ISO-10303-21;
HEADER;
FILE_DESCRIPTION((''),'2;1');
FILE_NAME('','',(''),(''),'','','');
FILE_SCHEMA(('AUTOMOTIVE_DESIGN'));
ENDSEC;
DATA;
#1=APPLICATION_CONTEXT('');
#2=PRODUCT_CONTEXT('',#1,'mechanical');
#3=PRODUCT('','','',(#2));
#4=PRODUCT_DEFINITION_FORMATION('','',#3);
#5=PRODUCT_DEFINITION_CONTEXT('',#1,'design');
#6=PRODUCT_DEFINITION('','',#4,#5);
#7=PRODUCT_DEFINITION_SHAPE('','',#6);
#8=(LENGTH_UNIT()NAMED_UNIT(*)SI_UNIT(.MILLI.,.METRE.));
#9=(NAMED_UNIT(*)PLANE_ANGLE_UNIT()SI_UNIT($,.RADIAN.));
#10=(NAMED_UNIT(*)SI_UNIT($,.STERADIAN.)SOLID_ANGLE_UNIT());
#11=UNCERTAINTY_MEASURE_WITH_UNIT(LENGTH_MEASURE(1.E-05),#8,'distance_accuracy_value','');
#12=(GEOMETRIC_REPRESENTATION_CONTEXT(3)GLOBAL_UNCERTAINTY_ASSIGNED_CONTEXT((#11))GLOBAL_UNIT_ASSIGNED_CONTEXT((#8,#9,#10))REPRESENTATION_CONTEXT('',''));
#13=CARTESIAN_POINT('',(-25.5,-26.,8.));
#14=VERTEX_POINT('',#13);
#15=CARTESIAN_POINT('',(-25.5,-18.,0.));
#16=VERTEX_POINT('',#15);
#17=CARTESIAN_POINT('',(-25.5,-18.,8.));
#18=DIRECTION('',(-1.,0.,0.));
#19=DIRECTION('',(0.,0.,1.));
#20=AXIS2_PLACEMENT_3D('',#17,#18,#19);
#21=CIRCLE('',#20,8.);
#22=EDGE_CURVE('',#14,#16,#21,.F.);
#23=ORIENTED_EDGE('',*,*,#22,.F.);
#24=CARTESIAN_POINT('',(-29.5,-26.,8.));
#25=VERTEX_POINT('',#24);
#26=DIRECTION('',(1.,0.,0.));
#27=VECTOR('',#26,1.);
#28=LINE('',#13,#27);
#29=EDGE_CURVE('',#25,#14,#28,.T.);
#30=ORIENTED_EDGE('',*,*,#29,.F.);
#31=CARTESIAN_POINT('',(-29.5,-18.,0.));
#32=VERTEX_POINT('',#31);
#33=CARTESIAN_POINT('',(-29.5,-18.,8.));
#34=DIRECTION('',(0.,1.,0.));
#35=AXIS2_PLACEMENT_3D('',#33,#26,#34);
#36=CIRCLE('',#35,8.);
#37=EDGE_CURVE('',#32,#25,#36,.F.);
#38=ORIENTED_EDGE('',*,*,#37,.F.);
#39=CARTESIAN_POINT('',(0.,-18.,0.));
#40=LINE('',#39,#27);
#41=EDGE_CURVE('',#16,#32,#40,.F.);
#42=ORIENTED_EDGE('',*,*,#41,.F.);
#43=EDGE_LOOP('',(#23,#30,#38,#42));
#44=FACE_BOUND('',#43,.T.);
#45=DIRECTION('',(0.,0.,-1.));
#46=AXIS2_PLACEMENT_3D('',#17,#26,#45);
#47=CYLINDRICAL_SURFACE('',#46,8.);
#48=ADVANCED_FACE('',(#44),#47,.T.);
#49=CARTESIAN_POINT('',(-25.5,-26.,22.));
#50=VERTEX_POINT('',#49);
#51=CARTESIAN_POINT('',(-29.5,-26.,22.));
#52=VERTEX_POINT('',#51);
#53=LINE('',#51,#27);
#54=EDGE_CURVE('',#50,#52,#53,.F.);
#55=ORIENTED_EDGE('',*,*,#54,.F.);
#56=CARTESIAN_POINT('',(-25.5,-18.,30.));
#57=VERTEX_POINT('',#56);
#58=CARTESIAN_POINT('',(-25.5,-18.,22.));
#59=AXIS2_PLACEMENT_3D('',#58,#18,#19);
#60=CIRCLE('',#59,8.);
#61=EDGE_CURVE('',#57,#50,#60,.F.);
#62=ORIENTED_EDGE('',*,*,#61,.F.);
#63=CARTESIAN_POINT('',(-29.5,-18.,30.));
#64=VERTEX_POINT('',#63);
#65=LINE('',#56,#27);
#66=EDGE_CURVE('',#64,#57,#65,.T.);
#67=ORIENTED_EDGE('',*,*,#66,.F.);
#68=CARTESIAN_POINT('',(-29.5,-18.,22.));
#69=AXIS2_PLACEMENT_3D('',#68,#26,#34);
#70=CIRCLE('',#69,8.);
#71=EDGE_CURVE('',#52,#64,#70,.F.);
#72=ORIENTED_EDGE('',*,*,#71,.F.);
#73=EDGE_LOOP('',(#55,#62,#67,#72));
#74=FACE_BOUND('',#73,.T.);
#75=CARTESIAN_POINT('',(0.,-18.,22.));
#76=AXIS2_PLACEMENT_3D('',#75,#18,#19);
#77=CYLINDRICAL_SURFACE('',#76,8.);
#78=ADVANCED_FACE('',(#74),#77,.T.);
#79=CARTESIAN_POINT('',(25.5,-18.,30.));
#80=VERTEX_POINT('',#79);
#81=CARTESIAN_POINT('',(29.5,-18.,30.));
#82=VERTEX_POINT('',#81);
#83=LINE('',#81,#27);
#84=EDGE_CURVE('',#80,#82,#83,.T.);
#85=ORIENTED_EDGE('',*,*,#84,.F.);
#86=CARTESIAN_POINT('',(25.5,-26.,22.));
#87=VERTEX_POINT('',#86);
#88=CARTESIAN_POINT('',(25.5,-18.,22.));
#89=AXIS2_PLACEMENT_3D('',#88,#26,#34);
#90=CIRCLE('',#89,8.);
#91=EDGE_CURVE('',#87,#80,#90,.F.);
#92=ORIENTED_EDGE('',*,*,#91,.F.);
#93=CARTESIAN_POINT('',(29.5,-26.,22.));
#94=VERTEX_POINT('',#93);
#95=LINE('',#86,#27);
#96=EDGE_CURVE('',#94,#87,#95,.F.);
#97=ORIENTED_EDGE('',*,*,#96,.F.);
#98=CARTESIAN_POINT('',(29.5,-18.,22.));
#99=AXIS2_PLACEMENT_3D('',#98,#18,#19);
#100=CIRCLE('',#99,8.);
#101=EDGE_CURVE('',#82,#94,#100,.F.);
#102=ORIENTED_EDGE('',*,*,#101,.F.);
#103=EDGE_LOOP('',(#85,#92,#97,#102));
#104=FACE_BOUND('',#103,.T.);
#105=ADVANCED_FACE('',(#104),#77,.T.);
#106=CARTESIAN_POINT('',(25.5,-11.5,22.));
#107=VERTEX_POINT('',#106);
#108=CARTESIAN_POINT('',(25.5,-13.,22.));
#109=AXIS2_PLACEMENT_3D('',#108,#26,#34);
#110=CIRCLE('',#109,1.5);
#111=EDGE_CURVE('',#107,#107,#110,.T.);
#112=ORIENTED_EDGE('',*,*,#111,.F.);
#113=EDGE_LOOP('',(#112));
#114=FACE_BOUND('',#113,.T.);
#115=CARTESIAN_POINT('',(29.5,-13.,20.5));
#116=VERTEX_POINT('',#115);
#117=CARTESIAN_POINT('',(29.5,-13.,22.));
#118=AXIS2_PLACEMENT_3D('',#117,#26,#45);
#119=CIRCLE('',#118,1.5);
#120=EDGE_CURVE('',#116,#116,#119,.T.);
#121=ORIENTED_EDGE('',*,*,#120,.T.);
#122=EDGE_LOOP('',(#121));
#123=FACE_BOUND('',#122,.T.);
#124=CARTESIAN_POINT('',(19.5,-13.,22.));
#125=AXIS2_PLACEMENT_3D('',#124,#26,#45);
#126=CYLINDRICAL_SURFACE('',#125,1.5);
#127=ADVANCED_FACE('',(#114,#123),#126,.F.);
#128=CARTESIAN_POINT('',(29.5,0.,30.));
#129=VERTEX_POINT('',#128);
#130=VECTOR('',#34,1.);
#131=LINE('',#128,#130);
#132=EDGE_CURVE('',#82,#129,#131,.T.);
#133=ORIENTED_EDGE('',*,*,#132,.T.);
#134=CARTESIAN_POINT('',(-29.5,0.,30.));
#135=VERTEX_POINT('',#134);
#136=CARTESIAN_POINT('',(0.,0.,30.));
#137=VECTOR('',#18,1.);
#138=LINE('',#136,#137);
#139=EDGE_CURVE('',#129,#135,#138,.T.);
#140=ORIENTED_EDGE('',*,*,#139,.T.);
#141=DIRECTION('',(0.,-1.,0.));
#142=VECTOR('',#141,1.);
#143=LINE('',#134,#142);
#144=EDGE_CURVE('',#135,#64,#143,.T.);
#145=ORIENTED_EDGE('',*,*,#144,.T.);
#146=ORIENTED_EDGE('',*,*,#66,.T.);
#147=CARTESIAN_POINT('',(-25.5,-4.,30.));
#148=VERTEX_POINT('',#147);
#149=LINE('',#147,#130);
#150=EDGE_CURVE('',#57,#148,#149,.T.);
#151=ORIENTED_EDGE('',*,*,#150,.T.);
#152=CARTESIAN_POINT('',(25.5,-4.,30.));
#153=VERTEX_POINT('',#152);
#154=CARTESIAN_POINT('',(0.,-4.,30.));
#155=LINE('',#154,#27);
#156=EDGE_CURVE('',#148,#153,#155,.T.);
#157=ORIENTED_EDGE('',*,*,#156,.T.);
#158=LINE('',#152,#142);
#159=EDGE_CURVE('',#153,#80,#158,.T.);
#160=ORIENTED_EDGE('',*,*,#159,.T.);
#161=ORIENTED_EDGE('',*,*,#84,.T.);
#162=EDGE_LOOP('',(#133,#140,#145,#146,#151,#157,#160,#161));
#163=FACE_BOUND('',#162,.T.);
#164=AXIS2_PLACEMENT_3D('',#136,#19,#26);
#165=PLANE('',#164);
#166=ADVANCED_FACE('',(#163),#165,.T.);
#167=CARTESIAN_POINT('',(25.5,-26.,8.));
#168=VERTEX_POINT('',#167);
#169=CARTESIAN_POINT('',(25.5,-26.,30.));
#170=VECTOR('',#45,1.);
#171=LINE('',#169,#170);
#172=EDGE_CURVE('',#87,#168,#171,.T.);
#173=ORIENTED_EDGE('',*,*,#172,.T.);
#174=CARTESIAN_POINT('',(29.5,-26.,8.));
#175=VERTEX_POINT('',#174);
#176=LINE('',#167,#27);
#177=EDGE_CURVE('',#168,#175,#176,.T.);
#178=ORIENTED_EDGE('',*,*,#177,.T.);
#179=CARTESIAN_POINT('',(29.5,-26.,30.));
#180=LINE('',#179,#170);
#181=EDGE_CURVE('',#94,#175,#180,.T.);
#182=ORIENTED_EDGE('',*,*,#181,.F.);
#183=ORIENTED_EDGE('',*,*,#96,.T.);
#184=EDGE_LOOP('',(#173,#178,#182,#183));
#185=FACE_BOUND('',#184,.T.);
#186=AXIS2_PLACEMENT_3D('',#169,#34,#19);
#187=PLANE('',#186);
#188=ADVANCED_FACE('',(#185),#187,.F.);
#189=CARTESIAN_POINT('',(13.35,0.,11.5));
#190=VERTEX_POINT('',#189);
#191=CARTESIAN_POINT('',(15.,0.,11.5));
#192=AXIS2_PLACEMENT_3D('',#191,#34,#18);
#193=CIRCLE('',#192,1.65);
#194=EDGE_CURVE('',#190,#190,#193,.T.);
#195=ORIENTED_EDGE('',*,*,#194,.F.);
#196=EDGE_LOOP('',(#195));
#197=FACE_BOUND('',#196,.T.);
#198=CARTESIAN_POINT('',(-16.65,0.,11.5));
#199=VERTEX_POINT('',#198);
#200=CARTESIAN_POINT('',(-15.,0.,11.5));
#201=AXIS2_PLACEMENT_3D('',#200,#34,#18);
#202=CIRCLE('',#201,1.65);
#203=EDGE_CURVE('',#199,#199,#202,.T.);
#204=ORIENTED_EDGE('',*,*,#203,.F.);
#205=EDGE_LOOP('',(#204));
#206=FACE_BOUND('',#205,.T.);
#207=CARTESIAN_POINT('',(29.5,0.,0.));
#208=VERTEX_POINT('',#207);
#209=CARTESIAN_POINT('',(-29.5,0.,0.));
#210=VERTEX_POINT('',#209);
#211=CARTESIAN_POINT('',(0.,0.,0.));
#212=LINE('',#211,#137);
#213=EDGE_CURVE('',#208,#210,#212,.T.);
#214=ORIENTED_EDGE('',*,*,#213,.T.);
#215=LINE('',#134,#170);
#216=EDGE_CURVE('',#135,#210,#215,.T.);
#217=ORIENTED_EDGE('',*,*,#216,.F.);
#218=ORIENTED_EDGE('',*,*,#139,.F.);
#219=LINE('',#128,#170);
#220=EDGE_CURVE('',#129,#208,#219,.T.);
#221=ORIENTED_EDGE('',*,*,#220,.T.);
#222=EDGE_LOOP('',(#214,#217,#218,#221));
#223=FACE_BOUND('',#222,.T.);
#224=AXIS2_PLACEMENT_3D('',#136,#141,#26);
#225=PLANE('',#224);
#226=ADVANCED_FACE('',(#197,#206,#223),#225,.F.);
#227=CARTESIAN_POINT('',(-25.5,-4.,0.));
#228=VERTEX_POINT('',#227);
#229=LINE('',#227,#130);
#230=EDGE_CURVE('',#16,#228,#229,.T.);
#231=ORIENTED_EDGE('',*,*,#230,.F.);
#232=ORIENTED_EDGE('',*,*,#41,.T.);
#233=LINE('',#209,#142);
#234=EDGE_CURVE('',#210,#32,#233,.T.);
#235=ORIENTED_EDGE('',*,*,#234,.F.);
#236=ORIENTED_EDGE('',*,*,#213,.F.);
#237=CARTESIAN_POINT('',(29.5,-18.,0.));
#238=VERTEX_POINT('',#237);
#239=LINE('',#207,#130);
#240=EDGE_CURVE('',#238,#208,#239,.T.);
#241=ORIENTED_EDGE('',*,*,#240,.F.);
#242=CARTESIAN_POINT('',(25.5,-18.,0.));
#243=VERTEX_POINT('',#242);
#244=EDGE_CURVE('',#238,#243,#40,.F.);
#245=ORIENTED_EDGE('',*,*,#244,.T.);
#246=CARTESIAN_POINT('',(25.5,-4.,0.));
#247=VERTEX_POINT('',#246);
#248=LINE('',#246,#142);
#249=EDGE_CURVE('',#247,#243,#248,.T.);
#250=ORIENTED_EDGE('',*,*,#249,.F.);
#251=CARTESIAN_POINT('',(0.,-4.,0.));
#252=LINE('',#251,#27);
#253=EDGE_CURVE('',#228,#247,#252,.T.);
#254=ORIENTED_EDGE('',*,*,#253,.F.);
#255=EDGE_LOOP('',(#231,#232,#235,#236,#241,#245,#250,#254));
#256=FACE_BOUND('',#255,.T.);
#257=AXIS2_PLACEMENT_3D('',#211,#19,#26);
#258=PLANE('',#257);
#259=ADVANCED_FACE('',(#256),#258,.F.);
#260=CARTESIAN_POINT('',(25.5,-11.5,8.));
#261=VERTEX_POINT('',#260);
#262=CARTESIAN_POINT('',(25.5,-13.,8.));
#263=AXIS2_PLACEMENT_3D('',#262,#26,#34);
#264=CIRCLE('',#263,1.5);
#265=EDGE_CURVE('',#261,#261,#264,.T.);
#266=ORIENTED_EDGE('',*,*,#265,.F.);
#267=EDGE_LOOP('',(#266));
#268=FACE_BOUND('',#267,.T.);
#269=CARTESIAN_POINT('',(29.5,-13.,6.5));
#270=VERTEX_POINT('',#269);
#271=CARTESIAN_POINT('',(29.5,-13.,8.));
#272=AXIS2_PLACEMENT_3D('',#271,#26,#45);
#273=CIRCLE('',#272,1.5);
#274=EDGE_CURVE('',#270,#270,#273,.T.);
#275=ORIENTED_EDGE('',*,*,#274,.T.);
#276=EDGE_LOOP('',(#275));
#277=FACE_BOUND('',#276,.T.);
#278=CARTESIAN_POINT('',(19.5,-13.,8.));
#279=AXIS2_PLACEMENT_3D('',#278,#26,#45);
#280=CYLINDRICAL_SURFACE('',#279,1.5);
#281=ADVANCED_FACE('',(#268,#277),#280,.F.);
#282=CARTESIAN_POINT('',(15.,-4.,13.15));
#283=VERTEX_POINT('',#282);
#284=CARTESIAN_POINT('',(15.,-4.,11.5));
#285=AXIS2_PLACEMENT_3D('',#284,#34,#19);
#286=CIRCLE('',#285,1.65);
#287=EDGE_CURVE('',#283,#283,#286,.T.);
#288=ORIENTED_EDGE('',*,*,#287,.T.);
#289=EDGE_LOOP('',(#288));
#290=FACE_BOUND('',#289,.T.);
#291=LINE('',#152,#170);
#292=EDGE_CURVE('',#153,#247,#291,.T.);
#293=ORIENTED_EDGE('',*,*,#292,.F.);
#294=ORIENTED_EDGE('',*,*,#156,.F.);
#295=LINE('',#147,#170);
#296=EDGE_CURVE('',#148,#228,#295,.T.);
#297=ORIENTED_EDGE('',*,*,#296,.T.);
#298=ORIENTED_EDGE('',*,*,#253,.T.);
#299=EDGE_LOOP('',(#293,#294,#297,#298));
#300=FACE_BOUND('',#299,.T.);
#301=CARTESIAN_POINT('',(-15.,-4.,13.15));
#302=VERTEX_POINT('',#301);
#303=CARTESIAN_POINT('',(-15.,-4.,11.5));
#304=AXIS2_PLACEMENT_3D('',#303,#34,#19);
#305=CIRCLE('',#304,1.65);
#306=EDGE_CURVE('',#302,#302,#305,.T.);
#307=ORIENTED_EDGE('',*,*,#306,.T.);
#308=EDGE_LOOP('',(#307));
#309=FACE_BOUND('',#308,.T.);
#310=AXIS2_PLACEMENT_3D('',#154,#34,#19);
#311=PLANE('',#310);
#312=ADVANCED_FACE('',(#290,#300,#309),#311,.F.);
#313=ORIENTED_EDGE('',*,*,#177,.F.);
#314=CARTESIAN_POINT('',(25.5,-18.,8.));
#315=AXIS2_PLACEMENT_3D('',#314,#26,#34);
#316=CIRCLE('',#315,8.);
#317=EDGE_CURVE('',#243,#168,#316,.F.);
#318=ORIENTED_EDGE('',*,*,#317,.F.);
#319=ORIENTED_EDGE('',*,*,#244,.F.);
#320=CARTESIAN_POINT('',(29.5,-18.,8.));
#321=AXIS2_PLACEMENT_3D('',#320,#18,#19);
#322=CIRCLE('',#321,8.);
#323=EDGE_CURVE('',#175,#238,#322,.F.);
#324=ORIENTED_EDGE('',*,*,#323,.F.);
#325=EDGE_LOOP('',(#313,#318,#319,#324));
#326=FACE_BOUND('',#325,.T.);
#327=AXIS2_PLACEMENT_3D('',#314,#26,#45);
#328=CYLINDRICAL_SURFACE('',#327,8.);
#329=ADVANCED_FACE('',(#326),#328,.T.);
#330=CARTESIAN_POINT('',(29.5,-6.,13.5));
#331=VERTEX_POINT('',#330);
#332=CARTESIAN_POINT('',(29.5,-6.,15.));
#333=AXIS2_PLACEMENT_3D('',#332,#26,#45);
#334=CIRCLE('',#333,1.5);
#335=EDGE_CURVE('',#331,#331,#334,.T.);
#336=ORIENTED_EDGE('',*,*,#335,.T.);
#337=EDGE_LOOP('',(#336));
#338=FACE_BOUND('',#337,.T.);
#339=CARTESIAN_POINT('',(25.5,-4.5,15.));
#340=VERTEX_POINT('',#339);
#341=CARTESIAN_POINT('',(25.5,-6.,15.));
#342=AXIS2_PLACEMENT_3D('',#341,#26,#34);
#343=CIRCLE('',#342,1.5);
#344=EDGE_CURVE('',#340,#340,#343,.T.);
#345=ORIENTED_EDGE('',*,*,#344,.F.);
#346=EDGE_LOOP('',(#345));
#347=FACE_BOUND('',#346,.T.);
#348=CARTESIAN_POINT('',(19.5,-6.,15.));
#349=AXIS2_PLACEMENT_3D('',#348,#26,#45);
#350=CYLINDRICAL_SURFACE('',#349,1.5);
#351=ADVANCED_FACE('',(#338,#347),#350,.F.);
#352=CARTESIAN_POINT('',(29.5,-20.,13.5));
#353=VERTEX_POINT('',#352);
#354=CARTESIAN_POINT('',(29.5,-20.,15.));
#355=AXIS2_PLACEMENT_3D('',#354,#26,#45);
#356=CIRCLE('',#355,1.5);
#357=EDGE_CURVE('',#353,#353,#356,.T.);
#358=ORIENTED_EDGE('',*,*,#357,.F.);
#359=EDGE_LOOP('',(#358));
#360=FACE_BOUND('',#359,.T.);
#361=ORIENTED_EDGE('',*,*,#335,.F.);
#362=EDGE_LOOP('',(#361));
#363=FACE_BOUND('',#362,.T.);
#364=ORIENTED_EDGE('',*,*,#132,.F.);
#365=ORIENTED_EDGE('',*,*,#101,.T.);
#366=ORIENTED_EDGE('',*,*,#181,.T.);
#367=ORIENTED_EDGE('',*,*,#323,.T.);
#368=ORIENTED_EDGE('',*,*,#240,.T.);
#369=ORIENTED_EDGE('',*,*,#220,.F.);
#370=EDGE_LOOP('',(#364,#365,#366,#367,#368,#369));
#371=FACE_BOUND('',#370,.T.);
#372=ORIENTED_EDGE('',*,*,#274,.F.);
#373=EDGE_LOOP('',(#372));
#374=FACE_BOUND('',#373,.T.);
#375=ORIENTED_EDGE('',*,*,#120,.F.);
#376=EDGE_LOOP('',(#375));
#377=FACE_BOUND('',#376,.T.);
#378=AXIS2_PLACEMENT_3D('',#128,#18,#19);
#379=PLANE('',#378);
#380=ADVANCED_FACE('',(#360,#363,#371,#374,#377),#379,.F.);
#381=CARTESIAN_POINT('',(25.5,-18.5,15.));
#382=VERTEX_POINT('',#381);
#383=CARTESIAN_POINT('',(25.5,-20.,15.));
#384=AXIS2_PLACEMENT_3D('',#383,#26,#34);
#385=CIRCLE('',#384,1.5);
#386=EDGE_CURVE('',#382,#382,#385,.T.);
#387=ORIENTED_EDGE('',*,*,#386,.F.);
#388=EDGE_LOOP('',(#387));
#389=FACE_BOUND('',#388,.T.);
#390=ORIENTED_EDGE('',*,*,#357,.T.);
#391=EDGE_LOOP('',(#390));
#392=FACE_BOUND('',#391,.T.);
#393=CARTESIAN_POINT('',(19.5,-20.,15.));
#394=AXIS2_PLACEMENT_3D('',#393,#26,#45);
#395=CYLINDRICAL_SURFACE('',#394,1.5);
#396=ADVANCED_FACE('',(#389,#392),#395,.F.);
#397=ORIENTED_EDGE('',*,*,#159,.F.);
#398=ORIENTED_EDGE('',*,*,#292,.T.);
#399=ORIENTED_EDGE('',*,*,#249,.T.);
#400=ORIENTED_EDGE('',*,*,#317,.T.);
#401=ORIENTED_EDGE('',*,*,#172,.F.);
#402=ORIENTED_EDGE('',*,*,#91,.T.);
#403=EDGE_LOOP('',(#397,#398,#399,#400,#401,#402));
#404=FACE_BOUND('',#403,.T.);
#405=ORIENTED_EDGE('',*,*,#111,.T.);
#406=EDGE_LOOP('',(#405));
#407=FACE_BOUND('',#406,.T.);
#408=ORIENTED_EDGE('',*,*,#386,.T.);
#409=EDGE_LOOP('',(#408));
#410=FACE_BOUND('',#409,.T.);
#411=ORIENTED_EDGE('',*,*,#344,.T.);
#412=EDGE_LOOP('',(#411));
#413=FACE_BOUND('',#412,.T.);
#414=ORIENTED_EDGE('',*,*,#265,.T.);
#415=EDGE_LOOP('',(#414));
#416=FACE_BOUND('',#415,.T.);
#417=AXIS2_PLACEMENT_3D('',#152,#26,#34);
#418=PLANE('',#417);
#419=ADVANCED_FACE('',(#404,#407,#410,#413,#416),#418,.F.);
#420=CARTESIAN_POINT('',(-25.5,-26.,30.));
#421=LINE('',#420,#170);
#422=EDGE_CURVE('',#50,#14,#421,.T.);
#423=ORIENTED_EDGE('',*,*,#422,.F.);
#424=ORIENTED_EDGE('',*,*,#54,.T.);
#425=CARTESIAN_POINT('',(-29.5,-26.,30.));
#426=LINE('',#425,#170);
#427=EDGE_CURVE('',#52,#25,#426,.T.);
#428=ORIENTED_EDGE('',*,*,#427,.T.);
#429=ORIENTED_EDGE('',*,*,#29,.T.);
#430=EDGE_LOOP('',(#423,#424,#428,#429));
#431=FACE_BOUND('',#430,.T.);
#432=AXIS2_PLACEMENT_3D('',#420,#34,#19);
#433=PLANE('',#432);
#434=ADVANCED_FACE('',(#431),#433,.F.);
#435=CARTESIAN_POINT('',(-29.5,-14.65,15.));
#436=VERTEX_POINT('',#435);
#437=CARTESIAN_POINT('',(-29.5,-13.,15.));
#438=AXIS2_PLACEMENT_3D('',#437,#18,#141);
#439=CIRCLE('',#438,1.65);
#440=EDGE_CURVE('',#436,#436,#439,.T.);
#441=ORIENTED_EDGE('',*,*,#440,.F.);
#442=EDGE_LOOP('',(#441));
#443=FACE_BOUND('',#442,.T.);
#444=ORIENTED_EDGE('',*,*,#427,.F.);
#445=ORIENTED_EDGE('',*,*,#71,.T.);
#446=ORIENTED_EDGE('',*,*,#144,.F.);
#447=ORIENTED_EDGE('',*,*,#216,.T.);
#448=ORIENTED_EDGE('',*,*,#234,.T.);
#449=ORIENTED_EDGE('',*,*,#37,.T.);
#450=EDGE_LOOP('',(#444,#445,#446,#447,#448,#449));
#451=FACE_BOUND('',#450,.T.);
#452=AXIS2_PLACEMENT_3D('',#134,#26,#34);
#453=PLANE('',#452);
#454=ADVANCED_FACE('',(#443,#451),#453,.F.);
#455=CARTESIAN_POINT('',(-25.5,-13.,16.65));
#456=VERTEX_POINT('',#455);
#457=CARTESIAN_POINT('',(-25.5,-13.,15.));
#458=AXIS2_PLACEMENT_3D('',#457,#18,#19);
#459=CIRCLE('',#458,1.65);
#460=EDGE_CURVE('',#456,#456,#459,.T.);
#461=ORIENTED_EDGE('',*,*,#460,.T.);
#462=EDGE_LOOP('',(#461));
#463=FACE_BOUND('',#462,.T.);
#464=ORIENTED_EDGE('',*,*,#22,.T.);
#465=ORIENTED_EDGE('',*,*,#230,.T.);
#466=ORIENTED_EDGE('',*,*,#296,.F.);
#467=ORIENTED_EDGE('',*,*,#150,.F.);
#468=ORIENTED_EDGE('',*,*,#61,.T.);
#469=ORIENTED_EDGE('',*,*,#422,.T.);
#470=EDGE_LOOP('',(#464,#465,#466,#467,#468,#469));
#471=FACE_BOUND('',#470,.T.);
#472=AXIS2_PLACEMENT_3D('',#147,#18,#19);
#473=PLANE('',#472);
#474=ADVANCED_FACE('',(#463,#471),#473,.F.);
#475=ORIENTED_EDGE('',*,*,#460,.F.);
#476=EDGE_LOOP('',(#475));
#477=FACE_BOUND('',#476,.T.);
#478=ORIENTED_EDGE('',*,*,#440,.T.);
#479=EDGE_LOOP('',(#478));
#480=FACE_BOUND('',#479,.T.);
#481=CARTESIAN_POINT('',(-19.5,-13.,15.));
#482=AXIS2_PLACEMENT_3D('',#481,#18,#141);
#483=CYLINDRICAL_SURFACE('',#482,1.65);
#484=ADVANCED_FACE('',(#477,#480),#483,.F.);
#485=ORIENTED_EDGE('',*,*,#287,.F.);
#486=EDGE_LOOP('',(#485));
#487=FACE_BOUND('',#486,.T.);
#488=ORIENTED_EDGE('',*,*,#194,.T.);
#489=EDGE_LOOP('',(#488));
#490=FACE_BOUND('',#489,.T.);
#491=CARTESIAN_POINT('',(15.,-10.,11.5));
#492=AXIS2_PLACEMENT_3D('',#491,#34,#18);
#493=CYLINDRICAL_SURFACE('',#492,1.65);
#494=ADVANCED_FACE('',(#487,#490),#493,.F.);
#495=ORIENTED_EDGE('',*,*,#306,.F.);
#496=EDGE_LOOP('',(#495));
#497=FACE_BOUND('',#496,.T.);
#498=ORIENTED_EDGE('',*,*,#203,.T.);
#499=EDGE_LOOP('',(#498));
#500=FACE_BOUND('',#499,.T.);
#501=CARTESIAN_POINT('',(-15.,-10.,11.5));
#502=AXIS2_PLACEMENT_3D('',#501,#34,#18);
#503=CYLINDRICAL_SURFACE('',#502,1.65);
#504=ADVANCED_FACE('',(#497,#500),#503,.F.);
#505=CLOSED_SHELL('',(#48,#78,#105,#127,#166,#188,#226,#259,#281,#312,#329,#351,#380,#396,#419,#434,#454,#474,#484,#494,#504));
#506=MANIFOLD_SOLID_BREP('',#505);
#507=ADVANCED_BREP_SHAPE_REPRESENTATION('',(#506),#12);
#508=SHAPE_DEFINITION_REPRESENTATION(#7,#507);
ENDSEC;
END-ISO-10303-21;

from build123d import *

# Parameters (mm, degrees)
EXTRUDE_1_DEPTH     = 30
FILLET_1_R          = 8
SKETCH_4_R          = 1.65
CUT_EXTRUDE_1_DEPTH = 10
SKETCH_5_R          = 1.65
CUT_EXTRUDE_2_DEPTH = 10
SKETCH_6_R          = 1.5
CUT_EXTRUDE_3_DEPTH = 10


with BuildPart() as part:
    # 草图1 → 凸台-拉伸1 (new body)
    with BuildSketch(Plane.XY):
        Polygon((0, 0), (29.5, 0), (29.5, -26), (25.5, -26), (25.5, -4), (0, -4), (-25.5, -4), (-25.5, -26), (-29.5, -26), (-29.5, 0), align=None)
    extrude(amount=EXTRUDE_1_DEPTH)

    # 圆角1
    fillet_1_edges = [part.edges().sort_by_distance(p)[0] for p in [
        (27.5, -26, 0),
        (-27.5, -26, 0),
        (-27.5, -26, 30),
        (27.5, -26, 30),
    ]]
    fillet(fillet_1_edges, radius=FILLET_1_R)

    # 草图4 → 切除-拉伸1 (cut)
    with BuildSketch(Plane(origin=(0, 0, 0), x_dir=(1, 0, 0), z_dir=(0, 1, 0))):
        with Locations((15, -11.5)):
            Circle(SKETCH_4_R)
        with Locations((-15, -11.5)):
            Circle(SKETCH_4_R)
    extrude(amount=-CUT_EXTRUDE_1_DEPTH, mode=Mode.SUBTRACT)

    # 草图5 → 切除-拉伸2 (cut)
    with BuildSketch(Plane.ZY.offset(29.5)):
        with Locations((15, -13)):
            Circle(SKETCH_5_R)
    extrude(amount=-CUT_EXTRUDE_2_DEPTH, mode=Mode.SUBTRACT)

    # 草图6 → 切除-拉伸3 (cut)
    with BuildSketch(Plane(origin=(29.5, 0, 0), x_dir=(0, 0, -1), z_dir=(1, 0, 0))):
        with Locations((-15, -6)):
            Circle(SKETCH_6_R)
        with Locations((-8, -13)):
            Circle(SKETCH_6_R)
        with Locations((-15, -20)):
            Circle(SKETCH_6_R)
        with Locations((-22, -13)):
            Circle(SKETCH_6_R)
    extrude(amount=-CUT_EXTRUDE_3_DEPTH, mode=Mode.SUBTRACT)


solid = part.part
